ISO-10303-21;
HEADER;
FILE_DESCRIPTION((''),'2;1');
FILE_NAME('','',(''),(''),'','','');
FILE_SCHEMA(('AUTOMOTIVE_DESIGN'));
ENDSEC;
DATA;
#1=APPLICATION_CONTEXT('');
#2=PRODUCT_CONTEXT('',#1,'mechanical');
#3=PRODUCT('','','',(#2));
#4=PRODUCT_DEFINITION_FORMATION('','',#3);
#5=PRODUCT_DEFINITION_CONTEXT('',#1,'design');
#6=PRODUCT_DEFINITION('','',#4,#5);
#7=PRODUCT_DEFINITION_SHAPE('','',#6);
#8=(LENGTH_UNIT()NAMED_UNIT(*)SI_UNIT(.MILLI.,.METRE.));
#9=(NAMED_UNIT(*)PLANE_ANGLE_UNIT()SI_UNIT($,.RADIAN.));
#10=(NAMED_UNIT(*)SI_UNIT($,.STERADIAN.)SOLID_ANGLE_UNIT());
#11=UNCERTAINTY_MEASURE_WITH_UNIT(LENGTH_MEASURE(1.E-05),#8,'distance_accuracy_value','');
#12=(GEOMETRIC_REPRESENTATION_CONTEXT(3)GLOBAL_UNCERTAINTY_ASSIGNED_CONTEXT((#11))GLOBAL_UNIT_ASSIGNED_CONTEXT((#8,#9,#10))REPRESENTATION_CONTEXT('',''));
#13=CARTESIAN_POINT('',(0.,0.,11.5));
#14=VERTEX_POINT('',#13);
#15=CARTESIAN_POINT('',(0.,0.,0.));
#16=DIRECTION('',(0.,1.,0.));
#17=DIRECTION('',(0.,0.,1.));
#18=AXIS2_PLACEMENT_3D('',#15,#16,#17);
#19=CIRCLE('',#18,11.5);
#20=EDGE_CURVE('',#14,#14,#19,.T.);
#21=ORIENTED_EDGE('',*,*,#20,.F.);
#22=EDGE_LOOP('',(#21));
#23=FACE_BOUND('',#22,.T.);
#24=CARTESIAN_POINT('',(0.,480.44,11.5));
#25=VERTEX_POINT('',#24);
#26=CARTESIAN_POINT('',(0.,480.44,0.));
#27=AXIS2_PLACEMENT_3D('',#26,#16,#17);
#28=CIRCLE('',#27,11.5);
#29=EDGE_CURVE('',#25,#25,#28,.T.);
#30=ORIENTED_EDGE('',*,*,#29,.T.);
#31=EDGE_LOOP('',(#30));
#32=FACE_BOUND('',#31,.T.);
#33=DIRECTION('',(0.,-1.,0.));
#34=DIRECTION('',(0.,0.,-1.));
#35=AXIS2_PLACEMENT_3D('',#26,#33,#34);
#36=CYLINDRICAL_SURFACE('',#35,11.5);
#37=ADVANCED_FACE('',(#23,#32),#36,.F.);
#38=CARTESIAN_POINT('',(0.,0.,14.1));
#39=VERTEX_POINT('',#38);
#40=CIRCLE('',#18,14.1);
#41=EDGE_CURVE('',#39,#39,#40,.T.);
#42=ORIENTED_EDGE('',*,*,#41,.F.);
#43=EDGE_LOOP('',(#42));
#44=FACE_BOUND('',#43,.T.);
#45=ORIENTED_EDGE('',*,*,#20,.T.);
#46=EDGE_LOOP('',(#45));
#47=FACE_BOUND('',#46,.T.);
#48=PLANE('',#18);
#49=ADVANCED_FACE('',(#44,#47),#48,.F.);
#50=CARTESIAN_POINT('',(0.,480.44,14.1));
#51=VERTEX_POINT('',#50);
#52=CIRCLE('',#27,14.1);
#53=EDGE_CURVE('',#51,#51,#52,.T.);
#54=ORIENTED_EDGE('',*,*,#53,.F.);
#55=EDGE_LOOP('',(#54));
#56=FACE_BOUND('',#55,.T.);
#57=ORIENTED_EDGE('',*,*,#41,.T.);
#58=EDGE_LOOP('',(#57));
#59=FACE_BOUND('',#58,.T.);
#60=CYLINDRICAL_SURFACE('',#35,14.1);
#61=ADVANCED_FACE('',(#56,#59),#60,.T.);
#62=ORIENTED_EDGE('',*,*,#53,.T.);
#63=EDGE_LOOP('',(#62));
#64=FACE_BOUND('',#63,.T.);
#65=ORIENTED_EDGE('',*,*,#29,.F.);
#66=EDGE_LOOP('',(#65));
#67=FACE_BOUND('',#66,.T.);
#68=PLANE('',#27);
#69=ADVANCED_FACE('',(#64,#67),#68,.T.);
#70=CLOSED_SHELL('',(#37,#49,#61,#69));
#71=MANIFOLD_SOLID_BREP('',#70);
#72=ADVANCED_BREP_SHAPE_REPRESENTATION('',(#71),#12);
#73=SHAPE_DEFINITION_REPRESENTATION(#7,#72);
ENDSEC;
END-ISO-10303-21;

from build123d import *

# Parameters (mm, degrees)
SKETCH1_R           = 14.1
SKETCH1_R_2         = 11.5
BOSS_EXTRUDE1_DEPTH = 480.44


with BuildPart() as part:
    # Sketch1 → Boss-Extrude1 (new body)
    with BuildSketch(Plane(origin=(0, 0, 0), x_dir=(1, 0, 0), z_dir=(0, 1, 0))):
        Circle(SKETCH1_R)
        Circle(SKETCH1_R_2, mode=Mode.SUBTRACT)
    extrude(amount=BOSS_EXTRUDE1_DEPTH)


solid = part.part
